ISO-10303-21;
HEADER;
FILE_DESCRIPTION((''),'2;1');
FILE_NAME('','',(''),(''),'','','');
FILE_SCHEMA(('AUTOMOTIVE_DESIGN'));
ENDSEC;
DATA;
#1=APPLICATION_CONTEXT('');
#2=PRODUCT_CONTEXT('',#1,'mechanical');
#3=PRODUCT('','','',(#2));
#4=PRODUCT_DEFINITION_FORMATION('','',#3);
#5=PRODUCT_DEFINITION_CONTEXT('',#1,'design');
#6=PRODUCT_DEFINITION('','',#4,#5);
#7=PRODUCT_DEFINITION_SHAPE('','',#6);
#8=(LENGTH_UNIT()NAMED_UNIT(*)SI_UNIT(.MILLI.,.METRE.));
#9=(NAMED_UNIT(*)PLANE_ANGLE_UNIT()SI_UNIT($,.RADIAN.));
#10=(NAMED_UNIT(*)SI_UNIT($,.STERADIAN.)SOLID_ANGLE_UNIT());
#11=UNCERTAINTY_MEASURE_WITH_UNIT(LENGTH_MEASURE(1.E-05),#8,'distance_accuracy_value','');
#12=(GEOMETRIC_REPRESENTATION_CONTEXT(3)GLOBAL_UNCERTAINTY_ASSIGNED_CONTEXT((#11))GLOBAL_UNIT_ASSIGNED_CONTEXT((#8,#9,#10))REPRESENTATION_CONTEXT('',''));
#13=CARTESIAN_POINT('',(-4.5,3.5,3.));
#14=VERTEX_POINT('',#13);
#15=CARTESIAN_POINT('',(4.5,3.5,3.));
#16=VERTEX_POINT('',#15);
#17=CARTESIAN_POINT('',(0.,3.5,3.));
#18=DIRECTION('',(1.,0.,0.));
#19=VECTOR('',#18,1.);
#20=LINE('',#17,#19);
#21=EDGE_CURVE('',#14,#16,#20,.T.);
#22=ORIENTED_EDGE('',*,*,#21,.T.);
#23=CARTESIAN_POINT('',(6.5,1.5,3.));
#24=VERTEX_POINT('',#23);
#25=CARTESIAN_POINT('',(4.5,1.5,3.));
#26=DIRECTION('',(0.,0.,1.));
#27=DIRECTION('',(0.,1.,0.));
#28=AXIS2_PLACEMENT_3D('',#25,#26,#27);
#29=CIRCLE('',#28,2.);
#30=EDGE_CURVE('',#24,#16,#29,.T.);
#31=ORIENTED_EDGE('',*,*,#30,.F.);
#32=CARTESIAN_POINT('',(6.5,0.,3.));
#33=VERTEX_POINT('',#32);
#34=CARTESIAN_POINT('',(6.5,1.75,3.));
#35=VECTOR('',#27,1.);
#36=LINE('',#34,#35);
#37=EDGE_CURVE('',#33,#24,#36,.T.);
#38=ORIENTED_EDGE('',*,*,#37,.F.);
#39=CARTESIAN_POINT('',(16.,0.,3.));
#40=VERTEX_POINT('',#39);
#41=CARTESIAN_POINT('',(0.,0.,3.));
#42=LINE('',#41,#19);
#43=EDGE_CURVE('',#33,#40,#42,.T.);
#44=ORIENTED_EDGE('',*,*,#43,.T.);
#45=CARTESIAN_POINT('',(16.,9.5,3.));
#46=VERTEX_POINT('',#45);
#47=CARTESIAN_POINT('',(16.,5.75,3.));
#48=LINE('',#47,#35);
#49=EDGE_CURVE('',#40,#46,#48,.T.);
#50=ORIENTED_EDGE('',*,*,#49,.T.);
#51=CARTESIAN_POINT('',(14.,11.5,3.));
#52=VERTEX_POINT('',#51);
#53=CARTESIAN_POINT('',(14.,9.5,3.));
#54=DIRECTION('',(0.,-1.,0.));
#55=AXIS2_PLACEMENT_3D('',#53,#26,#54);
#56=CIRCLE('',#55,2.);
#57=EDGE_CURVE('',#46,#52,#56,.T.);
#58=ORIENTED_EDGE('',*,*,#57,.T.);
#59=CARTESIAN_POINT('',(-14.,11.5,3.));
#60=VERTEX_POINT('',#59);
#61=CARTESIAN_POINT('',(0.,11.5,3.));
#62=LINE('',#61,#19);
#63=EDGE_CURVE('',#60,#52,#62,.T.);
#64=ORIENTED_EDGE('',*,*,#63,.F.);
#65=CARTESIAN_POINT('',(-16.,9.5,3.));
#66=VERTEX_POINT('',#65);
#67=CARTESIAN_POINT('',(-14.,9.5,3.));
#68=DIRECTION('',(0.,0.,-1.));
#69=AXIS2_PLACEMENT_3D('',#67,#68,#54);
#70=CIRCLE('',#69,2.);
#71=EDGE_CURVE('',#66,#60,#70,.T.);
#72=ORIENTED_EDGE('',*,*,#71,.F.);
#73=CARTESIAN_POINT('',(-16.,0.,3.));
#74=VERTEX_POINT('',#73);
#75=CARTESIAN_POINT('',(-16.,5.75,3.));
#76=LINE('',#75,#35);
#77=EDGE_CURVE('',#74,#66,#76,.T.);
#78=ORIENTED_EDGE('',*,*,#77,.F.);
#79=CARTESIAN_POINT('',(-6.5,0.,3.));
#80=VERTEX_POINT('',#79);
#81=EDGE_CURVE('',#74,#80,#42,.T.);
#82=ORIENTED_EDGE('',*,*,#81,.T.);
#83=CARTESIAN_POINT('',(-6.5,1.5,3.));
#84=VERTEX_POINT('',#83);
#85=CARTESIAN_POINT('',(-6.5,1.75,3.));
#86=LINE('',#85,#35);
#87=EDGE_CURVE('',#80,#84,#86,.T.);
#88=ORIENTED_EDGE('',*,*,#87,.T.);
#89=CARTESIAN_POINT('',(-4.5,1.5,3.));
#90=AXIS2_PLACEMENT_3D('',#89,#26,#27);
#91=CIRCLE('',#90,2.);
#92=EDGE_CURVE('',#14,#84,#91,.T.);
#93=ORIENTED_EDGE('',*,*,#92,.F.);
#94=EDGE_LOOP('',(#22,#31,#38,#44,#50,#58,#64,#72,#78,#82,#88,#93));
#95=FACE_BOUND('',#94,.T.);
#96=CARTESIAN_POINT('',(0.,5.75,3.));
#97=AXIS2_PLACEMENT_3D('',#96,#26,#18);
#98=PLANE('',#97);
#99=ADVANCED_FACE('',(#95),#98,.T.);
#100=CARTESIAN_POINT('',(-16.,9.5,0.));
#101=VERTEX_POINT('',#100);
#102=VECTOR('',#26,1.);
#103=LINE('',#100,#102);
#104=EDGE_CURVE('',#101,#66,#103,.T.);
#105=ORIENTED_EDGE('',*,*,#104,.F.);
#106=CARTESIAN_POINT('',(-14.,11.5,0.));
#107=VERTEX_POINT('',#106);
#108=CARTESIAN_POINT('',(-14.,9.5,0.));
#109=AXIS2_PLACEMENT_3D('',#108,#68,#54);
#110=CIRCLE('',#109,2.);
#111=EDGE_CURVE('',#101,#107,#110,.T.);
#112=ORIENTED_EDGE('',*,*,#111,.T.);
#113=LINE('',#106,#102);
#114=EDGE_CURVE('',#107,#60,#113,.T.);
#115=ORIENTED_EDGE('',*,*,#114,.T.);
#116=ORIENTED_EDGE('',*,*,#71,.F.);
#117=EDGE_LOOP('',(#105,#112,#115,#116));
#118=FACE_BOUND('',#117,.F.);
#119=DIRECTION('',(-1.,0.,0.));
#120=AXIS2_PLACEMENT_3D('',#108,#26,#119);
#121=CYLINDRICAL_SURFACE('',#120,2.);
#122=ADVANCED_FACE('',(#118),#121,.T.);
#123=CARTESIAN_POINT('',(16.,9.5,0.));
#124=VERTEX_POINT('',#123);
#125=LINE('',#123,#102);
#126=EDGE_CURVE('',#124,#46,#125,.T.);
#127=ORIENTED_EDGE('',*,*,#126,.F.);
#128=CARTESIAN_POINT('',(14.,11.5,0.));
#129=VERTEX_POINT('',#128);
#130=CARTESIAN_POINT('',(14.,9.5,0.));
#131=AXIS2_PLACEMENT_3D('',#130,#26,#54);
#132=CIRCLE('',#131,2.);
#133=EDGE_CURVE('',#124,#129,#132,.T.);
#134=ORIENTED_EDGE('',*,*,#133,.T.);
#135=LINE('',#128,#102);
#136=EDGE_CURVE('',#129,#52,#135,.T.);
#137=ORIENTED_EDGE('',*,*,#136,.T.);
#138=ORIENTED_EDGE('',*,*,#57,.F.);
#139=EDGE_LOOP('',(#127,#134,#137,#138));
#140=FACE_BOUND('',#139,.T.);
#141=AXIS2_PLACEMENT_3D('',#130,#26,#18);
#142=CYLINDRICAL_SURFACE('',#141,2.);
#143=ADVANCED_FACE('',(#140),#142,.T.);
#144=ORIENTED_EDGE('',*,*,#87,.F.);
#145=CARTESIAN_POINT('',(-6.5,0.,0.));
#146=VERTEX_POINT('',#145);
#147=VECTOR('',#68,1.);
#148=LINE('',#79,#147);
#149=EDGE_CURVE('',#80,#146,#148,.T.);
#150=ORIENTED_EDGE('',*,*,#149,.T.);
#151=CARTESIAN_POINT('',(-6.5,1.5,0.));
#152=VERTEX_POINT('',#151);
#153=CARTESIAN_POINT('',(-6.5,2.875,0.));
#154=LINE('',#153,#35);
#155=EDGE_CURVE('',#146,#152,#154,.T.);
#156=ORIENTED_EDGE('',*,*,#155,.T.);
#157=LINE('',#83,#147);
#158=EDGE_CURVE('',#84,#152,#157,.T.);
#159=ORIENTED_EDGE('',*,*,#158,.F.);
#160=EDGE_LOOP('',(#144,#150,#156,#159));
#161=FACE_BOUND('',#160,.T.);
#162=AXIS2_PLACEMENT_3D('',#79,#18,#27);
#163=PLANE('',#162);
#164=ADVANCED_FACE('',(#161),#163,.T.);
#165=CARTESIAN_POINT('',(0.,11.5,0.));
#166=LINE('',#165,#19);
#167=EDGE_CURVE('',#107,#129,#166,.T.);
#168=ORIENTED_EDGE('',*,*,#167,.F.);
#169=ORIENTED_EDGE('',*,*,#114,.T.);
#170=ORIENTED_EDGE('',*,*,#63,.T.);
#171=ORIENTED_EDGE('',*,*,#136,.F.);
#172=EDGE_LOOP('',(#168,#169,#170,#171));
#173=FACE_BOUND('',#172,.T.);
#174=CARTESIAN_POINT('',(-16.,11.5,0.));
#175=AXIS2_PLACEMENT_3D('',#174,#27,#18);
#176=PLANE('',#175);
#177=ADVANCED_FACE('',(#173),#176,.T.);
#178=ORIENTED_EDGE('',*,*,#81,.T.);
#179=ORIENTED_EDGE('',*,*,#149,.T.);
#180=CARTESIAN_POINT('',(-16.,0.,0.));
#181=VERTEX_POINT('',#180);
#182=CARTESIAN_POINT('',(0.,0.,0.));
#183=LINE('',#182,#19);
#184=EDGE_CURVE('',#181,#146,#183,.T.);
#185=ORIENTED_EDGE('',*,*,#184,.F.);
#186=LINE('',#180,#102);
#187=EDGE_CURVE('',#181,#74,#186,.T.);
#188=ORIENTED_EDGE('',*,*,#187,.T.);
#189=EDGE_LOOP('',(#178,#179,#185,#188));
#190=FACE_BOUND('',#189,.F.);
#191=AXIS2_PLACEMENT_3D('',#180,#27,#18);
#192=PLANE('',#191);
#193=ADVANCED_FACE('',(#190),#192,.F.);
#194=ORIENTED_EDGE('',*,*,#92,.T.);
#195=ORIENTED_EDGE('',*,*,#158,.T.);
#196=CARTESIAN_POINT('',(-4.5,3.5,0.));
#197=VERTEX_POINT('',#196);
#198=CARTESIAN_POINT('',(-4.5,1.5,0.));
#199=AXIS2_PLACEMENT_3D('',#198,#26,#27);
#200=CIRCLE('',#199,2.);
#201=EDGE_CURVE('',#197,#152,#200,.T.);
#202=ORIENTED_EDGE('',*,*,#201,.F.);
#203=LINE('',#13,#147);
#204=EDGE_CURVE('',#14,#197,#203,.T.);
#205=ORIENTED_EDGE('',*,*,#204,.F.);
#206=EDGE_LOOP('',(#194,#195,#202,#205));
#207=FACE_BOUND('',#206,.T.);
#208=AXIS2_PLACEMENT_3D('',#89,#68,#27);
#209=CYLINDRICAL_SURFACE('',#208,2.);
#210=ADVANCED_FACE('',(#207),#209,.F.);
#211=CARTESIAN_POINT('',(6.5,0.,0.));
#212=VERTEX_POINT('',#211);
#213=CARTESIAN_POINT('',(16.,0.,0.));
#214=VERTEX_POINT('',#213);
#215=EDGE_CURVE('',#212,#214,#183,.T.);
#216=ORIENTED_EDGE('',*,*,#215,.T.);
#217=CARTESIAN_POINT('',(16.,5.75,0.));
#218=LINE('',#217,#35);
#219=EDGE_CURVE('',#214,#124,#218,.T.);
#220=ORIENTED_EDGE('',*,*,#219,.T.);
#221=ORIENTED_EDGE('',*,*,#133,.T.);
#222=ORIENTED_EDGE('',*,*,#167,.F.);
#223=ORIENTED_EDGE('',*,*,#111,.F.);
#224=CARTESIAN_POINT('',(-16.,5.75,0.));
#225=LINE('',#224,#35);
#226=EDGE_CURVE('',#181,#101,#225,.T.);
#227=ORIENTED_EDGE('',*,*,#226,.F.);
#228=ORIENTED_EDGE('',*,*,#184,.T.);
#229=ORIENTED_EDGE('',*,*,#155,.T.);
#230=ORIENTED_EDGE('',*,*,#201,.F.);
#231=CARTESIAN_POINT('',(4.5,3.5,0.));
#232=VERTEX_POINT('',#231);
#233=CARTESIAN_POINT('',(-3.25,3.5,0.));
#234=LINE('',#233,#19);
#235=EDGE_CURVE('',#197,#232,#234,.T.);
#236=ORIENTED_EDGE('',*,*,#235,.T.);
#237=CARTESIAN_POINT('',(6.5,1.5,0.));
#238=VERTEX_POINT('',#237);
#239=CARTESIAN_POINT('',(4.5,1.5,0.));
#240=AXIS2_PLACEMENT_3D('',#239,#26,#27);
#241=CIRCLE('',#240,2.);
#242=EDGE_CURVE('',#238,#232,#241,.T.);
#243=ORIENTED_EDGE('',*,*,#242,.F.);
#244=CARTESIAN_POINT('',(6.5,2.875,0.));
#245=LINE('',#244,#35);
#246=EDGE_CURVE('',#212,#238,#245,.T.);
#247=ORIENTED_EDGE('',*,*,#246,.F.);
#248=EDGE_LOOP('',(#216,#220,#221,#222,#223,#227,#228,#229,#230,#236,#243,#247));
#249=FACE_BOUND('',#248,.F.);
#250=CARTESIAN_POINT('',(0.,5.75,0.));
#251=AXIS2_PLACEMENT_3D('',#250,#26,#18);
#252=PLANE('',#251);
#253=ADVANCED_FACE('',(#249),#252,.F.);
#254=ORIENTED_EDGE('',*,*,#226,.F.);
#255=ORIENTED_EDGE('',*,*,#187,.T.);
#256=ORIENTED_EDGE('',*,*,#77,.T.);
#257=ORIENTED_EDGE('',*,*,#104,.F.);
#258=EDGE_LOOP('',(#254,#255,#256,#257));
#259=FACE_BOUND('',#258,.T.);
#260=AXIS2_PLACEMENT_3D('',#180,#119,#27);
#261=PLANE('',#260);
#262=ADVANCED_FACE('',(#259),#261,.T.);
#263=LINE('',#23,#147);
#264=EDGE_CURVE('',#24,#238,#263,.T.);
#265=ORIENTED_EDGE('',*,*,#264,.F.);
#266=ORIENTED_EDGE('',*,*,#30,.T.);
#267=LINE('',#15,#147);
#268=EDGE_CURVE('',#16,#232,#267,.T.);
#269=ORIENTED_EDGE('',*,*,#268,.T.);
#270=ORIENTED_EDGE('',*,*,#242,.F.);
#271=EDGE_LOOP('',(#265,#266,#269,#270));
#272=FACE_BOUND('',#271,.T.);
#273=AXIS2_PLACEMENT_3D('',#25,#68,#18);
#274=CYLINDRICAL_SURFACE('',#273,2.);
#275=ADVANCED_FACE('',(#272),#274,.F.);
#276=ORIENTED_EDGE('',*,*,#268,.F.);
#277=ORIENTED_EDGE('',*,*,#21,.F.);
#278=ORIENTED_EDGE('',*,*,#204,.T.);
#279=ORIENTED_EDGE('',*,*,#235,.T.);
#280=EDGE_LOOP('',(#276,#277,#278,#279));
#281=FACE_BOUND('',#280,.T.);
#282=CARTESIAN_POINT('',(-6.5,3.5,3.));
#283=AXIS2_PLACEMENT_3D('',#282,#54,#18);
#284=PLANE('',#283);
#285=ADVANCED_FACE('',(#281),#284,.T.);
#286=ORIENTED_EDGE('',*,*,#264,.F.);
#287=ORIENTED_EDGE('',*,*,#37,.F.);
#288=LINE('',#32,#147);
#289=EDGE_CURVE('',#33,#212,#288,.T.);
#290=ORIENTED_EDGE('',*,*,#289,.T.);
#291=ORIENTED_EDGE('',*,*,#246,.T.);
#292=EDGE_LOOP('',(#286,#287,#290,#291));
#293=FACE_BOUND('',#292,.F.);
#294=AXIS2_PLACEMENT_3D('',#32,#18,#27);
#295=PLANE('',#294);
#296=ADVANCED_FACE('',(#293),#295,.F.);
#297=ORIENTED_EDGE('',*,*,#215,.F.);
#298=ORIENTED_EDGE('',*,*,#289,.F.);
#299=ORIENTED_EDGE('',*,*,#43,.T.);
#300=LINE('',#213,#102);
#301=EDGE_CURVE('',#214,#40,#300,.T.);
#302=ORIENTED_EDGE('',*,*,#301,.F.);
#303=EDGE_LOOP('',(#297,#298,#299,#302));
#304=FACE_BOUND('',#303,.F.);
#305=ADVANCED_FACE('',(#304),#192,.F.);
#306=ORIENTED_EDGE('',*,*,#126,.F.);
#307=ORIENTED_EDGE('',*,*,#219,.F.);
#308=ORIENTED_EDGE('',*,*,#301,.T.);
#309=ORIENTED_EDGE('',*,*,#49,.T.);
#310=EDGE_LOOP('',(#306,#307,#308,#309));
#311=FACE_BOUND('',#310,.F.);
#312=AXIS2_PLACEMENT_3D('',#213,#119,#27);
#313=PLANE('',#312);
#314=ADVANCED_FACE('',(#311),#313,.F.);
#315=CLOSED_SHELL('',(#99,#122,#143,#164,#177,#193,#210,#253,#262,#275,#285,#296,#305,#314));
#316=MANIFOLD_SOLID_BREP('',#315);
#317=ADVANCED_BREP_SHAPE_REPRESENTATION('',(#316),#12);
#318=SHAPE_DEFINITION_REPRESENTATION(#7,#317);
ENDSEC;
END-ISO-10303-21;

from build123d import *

# Parameters (mm, degrees)
F0_W     = 32
F0_H     = 11.5
F1_DEPTH = 3
F2_R     = 2
F3_W     = 13
F3_H     = 3.5
F4_DEPTH = 3.001
F5_R     = 2


with BuildPart() as f1:
    # F0 (on Top) → F1 (new body)
    with BuildSketch(Plane.XY):
        with Locations((0, 5.75)):
            Rectangle(F0_W, F0_H)
    extrude(amount=F1_DEPTH)

    # F2
    f2_edges = [f1.edges().sort_by_distance(p)[0] for p in [
        (-16, 11.5, 1.5),
        (16, 11.5, 1.5),
    ]]
    fillet(f2_edges, radius=F2_R)

    # F3 (on face) → F4 (cut, through all)
    with BuildSketch(Plane.XY.offset(3)):
        with Locations((0, 1.75)):
            Rectangle(F3_W, F3_H)
    extrude(amount=-F4_DEPTH, mode=Mode.SUBTRACT)

    # F5
    f5_edges = [f1.edges().sort_by_distance(p)[0] for p in [
        (-6.5, 3.5, 1.5),
        (6.5, 3.5, 1.5),
    ]]
    fillet(f5_edges, radius=F5_R)


solid = f1.part
